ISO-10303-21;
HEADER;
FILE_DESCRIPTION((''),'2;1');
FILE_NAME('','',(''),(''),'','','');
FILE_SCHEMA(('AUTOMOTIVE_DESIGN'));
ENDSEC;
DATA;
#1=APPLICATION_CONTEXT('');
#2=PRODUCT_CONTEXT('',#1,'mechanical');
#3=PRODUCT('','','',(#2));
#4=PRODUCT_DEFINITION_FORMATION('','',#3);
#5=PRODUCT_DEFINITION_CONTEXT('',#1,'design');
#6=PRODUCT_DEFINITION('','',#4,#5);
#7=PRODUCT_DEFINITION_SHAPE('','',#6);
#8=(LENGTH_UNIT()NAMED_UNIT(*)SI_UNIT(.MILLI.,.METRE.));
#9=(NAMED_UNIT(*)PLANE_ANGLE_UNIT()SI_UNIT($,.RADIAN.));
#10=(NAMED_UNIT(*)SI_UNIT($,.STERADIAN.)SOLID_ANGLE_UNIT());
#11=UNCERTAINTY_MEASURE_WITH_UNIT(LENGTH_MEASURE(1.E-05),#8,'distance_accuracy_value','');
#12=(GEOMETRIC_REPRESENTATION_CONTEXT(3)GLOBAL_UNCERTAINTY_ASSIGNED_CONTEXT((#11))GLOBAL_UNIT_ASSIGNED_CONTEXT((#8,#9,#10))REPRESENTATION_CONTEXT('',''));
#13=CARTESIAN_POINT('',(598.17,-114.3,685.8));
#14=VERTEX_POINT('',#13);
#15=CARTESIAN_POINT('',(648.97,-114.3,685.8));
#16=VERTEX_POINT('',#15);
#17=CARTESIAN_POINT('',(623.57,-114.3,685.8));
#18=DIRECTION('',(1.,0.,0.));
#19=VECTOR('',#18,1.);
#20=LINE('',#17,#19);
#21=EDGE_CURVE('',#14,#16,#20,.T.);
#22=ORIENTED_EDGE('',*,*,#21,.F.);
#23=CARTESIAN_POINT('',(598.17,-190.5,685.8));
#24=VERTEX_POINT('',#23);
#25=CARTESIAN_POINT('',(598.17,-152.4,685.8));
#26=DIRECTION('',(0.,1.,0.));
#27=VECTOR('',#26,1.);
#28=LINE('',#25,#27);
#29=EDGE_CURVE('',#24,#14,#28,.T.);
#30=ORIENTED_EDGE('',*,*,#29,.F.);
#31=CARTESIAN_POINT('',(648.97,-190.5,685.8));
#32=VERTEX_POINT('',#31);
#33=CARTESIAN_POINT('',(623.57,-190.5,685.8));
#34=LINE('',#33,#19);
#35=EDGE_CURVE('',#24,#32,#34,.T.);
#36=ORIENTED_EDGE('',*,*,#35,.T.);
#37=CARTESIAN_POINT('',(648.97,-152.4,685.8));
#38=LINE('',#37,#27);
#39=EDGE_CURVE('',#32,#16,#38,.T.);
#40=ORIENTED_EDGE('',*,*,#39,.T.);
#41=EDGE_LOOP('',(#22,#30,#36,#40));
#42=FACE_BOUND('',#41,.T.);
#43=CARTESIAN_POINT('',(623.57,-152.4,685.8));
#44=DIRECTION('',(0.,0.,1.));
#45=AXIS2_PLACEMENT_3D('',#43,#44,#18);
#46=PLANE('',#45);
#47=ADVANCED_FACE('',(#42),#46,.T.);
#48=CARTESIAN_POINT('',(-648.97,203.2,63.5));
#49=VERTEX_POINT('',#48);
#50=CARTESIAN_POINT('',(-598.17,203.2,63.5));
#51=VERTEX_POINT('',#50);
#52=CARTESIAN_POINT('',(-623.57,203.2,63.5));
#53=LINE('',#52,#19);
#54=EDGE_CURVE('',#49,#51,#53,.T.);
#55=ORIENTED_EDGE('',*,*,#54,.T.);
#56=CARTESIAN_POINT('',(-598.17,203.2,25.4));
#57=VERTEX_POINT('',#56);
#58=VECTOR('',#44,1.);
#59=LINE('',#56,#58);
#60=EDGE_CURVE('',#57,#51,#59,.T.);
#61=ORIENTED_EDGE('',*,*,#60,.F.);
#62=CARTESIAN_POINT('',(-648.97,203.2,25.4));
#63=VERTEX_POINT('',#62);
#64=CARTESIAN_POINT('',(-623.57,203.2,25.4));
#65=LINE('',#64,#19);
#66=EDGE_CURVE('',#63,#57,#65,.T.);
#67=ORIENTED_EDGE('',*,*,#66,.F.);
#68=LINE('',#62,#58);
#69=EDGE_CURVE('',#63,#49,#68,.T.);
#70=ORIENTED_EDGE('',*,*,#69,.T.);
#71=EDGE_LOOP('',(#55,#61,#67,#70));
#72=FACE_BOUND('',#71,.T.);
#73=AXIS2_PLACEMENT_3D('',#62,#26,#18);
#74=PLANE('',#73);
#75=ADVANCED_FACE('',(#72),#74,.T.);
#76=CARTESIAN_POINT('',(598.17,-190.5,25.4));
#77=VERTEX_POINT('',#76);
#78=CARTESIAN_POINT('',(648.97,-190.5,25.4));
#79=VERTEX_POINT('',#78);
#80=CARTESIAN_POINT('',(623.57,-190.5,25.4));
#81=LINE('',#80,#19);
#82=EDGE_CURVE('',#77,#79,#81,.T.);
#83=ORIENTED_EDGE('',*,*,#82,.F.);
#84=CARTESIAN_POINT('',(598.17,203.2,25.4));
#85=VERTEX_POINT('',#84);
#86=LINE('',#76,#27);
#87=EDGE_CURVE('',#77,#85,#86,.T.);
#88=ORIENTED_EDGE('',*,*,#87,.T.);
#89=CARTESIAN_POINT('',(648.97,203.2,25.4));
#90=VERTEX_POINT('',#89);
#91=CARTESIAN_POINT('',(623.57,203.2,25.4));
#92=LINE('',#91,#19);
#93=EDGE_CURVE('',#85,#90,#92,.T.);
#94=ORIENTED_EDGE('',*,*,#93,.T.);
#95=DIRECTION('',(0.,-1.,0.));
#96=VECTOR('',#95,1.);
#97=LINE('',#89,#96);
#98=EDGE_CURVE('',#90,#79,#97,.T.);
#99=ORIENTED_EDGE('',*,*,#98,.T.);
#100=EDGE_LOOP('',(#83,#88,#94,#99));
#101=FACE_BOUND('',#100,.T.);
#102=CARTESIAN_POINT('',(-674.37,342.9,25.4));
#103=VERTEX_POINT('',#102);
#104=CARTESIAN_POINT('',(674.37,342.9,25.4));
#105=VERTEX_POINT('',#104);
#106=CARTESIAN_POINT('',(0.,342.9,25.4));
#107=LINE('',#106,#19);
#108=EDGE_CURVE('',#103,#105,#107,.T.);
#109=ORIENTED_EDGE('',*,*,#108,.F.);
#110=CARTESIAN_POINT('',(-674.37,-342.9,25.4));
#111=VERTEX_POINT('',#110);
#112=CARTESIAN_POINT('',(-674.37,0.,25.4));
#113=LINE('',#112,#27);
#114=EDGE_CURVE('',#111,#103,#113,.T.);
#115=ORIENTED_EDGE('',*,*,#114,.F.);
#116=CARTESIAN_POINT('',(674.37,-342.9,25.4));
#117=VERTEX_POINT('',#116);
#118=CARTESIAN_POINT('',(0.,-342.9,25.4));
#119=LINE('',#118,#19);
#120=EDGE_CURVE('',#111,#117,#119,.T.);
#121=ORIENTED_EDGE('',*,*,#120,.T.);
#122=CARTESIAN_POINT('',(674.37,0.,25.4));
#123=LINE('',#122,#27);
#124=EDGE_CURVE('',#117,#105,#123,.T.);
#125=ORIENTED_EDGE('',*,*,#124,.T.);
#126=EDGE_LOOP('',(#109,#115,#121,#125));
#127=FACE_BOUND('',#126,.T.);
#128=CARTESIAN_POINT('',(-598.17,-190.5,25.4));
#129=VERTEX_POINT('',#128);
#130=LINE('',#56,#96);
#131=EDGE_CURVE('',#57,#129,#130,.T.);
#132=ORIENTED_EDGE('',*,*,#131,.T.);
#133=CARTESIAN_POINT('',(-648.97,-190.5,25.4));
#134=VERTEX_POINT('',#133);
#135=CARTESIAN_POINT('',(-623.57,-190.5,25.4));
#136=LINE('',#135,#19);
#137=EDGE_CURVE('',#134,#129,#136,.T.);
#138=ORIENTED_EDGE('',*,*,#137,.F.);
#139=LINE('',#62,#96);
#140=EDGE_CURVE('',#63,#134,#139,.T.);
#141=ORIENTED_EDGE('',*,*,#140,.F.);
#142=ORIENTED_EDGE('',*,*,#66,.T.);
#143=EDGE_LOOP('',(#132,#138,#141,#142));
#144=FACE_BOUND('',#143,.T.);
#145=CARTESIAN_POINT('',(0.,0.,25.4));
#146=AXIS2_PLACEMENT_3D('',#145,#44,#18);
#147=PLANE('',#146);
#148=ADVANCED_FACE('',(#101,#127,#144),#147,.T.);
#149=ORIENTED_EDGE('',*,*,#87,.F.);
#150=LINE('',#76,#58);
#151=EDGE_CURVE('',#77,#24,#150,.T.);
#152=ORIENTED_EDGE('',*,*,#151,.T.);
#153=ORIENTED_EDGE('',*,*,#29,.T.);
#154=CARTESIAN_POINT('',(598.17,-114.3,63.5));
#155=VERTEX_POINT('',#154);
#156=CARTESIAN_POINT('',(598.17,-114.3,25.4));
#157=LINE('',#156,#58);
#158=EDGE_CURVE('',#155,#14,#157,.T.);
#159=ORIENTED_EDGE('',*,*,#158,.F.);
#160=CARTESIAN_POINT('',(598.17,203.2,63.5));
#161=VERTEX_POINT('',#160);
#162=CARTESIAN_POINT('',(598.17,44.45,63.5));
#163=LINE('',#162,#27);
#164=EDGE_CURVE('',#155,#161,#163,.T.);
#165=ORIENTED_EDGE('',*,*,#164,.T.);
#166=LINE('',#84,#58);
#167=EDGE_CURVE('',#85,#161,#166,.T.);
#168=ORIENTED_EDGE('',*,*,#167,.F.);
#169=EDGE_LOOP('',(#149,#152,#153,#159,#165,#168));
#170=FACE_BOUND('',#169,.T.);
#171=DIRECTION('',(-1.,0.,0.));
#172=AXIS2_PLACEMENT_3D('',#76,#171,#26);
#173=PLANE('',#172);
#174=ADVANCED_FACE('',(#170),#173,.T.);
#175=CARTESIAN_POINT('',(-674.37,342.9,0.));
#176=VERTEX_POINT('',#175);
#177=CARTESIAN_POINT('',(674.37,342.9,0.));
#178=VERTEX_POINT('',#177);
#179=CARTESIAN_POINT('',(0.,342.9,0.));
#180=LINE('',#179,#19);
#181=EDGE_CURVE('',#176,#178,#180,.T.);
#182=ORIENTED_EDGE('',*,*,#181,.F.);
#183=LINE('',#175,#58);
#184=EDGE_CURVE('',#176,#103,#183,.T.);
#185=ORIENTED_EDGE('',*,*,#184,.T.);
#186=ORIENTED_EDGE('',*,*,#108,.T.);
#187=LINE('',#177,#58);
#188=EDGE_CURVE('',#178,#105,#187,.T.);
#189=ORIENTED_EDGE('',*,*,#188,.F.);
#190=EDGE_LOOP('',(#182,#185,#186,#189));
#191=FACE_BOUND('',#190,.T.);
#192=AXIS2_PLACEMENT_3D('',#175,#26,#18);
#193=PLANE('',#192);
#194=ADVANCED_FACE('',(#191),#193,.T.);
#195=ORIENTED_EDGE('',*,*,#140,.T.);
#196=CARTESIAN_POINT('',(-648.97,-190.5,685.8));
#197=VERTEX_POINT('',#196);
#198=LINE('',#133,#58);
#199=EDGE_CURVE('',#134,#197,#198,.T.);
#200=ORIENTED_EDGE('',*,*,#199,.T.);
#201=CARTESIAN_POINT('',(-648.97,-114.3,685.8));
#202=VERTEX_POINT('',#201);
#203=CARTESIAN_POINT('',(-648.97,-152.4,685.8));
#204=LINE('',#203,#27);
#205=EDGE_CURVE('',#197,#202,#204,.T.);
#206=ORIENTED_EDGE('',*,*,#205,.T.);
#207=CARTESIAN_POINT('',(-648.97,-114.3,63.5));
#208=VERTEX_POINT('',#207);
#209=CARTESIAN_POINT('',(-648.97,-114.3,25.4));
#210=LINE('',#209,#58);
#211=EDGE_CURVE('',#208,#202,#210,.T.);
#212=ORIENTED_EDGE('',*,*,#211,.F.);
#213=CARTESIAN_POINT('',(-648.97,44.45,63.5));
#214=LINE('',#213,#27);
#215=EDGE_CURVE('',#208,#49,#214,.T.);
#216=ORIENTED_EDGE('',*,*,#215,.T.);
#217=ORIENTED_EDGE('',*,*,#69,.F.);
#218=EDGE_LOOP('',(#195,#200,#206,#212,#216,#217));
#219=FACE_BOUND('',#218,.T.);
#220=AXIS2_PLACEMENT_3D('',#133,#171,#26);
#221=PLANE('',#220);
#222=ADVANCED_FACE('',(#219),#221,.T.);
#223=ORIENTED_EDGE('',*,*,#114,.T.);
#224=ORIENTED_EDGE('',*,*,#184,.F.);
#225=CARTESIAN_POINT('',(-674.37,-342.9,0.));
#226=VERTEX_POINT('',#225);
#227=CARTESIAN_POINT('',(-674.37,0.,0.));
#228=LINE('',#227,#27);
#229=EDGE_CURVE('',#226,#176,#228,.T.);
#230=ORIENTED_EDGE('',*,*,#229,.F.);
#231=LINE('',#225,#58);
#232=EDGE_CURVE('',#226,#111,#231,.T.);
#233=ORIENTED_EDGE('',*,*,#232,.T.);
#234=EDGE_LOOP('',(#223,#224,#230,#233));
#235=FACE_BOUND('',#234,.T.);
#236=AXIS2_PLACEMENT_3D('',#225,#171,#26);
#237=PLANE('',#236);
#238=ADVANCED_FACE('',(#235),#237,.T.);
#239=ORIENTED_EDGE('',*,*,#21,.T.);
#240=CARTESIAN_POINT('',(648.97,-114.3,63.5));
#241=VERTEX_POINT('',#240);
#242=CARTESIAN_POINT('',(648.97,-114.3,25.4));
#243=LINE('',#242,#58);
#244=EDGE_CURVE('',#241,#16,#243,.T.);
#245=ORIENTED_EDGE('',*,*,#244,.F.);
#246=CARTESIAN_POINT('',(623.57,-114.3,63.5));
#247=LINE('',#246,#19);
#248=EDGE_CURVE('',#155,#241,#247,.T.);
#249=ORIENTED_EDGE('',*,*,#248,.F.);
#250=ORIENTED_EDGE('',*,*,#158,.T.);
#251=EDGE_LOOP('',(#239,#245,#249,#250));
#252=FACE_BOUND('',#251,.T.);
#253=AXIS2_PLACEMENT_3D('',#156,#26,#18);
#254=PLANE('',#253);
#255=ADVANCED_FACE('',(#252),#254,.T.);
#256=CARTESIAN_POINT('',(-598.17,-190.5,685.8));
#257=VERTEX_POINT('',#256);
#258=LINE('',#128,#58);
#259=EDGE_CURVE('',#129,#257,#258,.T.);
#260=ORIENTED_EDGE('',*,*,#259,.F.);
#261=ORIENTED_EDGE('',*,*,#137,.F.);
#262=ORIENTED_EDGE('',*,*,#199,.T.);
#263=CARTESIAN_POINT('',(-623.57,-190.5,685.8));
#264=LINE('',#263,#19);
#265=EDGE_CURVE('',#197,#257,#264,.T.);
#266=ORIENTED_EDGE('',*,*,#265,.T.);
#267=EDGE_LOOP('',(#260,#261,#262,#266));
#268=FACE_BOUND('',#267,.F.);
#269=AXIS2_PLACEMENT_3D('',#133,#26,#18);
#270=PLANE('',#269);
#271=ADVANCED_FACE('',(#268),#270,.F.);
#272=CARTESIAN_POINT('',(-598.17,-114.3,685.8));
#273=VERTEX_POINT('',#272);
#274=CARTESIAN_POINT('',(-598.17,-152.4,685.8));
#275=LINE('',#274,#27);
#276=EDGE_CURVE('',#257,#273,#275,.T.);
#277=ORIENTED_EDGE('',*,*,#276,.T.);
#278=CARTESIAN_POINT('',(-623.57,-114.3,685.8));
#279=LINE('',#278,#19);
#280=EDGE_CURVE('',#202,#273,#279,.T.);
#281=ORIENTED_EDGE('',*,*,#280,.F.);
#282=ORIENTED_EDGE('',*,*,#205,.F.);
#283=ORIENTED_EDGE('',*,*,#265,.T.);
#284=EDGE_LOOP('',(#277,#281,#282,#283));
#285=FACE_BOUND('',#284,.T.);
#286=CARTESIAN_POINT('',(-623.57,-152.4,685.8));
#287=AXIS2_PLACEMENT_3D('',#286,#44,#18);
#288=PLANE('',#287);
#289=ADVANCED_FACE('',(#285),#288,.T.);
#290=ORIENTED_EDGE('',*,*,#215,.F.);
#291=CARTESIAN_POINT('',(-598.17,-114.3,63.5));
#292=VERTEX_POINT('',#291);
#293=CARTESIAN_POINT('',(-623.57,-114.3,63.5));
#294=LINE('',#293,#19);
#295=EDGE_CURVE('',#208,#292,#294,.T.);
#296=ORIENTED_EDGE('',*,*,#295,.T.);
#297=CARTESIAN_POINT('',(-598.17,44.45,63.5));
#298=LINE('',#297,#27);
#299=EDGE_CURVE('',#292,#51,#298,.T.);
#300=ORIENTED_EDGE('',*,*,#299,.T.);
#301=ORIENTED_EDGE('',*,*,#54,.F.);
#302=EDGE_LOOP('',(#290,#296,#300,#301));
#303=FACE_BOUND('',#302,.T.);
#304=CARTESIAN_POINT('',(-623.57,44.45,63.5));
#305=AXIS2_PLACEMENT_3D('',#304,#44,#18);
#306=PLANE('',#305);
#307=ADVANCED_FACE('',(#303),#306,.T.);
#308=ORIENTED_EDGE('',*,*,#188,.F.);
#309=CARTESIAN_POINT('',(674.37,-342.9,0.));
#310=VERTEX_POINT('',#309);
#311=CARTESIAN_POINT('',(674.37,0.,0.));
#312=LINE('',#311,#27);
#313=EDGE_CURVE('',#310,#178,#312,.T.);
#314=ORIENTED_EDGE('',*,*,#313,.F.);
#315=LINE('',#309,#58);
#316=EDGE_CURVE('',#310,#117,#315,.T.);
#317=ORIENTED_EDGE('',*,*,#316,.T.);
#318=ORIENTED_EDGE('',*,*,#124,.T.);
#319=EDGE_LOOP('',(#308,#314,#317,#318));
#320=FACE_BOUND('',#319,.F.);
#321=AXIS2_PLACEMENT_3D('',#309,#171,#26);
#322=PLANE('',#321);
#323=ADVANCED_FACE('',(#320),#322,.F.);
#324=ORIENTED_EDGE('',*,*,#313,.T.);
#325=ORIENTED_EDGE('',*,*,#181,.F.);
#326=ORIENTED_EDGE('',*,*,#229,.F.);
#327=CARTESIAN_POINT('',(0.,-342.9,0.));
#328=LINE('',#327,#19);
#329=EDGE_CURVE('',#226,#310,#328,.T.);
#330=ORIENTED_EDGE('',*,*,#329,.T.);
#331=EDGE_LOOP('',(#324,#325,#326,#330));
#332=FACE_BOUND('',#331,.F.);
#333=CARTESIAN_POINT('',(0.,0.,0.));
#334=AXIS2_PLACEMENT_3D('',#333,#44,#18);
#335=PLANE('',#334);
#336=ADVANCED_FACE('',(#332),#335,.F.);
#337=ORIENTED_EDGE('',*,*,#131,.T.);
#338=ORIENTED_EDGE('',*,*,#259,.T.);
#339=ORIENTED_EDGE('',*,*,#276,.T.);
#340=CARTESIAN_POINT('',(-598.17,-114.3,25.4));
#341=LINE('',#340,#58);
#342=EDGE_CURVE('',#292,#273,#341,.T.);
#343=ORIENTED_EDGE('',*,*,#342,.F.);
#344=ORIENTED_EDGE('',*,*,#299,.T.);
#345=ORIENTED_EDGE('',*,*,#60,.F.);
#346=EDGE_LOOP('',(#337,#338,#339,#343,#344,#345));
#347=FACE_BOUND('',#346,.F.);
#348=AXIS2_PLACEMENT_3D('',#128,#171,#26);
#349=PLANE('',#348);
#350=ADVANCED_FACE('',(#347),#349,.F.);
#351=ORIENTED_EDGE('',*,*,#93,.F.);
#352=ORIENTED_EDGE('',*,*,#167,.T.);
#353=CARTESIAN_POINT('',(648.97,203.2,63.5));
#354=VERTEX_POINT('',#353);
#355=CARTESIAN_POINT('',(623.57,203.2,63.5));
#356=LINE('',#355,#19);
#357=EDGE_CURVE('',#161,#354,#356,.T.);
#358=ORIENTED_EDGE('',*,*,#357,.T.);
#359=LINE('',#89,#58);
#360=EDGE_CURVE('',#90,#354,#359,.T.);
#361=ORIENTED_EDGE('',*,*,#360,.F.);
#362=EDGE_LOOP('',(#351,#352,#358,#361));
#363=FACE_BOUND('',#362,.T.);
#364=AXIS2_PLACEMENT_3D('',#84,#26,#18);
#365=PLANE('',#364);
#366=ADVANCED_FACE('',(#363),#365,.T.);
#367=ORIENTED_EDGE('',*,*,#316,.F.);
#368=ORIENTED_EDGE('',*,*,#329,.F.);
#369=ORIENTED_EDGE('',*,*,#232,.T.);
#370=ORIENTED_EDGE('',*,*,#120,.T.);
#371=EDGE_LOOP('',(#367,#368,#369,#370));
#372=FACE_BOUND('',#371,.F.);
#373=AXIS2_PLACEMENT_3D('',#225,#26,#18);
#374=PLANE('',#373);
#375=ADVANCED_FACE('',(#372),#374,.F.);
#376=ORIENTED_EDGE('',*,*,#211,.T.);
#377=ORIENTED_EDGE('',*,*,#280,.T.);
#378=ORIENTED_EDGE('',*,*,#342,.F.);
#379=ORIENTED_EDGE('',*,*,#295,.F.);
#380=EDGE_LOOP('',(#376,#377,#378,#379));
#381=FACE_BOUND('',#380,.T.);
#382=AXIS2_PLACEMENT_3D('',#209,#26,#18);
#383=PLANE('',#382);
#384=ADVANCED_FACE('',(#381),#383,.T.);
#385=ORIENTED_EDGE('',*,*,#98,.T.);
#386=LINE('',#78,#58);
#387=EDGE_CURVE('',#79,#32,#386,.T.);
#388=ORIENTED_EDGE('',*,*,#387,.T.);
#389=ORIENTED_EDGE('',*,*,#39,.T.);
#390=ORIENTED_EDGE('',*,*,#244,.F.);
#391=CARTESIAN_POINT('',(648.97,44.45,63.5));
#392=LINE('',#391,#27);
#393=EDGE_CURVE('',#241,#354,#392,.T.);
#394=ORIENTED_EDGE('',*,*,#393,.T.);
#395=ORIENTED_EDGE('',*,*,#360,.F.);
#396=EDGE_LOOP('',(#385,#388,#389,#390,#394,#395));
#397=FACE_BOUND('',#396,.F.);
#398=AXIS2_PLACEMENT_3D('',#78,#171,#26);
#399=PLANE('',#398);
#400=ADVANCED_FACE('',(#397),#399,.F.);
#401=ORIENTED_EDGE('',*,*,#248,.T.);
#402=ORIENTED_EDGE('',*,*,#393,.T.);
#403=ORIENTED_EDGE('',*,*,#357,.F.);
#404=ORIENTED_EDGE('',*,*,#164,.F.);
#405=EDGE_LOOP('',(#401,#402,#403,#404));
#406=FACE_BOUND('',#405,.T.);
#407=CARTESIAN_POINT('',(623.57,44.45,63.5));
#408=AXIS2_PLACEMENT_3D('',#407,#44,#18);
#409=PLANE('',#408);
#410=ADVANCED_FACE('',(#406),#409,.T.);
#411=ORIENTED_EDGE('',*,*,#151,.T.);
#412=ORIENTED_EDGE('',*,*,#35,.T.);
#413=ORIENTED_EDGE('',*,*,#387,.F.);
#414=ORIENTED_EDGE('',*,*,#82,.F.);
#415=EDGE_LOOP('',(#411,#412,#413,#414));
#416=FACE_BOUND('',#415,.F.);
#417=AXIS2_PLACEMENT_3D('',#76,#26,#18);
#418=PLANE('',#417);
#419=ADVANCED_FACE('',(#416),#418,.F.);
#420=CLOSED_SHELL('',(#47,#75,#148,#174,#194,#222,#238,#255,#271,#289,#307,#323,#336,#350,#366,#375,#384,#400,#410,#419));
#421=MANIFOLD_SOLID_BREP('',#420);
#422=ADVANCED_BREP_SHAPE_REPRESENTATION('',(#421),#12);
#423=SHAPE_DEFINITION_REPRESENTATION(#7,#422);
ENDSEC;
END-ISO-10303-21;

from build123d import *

# Parameters (mm, degrees)
F0_W     = 1348.74
F0_H     = 685.8
F1_DEPTH = 25.4
F3_W     = 50.8
F3_H     = 317.5
F4_DEPTH = 38.1
F5_W     = 50.8
F5_H     = 76.2
F6_DEPTH = 660.4


with BuildPart() as f1:
    # F0 (on Top) → F1 (new body)
    with BuildSketch(Plane.XY):
        Rectangle(F0_W, F0_H)
    extrude(amount=F1_DEPTH)

    # F3 (on face) → F4 (join)
    with BuildSketch(Plane.XY.offset(25.4)):
        with Locations((-623.57, 44.45)):
            Rectangle(F3_W, F3_H)
        with Locations((623.57, 44.45)):
            Rectangle(F3_W, F3_H)
    extrude(amount=F4_DEPTH)

    # F5 (on face) → F6 (join)
    with BuildSketch(Plane.XY.offset(25.4)):
        with Locations((-623.57, -152.4)):
            Rectangle(F5_W, F5_H)
        with Locations((623.57, -152.4)):
            Rectangle(F5_W, F5_H)
    extrude(amount=F6_DEPTH)


solid = f1.part
